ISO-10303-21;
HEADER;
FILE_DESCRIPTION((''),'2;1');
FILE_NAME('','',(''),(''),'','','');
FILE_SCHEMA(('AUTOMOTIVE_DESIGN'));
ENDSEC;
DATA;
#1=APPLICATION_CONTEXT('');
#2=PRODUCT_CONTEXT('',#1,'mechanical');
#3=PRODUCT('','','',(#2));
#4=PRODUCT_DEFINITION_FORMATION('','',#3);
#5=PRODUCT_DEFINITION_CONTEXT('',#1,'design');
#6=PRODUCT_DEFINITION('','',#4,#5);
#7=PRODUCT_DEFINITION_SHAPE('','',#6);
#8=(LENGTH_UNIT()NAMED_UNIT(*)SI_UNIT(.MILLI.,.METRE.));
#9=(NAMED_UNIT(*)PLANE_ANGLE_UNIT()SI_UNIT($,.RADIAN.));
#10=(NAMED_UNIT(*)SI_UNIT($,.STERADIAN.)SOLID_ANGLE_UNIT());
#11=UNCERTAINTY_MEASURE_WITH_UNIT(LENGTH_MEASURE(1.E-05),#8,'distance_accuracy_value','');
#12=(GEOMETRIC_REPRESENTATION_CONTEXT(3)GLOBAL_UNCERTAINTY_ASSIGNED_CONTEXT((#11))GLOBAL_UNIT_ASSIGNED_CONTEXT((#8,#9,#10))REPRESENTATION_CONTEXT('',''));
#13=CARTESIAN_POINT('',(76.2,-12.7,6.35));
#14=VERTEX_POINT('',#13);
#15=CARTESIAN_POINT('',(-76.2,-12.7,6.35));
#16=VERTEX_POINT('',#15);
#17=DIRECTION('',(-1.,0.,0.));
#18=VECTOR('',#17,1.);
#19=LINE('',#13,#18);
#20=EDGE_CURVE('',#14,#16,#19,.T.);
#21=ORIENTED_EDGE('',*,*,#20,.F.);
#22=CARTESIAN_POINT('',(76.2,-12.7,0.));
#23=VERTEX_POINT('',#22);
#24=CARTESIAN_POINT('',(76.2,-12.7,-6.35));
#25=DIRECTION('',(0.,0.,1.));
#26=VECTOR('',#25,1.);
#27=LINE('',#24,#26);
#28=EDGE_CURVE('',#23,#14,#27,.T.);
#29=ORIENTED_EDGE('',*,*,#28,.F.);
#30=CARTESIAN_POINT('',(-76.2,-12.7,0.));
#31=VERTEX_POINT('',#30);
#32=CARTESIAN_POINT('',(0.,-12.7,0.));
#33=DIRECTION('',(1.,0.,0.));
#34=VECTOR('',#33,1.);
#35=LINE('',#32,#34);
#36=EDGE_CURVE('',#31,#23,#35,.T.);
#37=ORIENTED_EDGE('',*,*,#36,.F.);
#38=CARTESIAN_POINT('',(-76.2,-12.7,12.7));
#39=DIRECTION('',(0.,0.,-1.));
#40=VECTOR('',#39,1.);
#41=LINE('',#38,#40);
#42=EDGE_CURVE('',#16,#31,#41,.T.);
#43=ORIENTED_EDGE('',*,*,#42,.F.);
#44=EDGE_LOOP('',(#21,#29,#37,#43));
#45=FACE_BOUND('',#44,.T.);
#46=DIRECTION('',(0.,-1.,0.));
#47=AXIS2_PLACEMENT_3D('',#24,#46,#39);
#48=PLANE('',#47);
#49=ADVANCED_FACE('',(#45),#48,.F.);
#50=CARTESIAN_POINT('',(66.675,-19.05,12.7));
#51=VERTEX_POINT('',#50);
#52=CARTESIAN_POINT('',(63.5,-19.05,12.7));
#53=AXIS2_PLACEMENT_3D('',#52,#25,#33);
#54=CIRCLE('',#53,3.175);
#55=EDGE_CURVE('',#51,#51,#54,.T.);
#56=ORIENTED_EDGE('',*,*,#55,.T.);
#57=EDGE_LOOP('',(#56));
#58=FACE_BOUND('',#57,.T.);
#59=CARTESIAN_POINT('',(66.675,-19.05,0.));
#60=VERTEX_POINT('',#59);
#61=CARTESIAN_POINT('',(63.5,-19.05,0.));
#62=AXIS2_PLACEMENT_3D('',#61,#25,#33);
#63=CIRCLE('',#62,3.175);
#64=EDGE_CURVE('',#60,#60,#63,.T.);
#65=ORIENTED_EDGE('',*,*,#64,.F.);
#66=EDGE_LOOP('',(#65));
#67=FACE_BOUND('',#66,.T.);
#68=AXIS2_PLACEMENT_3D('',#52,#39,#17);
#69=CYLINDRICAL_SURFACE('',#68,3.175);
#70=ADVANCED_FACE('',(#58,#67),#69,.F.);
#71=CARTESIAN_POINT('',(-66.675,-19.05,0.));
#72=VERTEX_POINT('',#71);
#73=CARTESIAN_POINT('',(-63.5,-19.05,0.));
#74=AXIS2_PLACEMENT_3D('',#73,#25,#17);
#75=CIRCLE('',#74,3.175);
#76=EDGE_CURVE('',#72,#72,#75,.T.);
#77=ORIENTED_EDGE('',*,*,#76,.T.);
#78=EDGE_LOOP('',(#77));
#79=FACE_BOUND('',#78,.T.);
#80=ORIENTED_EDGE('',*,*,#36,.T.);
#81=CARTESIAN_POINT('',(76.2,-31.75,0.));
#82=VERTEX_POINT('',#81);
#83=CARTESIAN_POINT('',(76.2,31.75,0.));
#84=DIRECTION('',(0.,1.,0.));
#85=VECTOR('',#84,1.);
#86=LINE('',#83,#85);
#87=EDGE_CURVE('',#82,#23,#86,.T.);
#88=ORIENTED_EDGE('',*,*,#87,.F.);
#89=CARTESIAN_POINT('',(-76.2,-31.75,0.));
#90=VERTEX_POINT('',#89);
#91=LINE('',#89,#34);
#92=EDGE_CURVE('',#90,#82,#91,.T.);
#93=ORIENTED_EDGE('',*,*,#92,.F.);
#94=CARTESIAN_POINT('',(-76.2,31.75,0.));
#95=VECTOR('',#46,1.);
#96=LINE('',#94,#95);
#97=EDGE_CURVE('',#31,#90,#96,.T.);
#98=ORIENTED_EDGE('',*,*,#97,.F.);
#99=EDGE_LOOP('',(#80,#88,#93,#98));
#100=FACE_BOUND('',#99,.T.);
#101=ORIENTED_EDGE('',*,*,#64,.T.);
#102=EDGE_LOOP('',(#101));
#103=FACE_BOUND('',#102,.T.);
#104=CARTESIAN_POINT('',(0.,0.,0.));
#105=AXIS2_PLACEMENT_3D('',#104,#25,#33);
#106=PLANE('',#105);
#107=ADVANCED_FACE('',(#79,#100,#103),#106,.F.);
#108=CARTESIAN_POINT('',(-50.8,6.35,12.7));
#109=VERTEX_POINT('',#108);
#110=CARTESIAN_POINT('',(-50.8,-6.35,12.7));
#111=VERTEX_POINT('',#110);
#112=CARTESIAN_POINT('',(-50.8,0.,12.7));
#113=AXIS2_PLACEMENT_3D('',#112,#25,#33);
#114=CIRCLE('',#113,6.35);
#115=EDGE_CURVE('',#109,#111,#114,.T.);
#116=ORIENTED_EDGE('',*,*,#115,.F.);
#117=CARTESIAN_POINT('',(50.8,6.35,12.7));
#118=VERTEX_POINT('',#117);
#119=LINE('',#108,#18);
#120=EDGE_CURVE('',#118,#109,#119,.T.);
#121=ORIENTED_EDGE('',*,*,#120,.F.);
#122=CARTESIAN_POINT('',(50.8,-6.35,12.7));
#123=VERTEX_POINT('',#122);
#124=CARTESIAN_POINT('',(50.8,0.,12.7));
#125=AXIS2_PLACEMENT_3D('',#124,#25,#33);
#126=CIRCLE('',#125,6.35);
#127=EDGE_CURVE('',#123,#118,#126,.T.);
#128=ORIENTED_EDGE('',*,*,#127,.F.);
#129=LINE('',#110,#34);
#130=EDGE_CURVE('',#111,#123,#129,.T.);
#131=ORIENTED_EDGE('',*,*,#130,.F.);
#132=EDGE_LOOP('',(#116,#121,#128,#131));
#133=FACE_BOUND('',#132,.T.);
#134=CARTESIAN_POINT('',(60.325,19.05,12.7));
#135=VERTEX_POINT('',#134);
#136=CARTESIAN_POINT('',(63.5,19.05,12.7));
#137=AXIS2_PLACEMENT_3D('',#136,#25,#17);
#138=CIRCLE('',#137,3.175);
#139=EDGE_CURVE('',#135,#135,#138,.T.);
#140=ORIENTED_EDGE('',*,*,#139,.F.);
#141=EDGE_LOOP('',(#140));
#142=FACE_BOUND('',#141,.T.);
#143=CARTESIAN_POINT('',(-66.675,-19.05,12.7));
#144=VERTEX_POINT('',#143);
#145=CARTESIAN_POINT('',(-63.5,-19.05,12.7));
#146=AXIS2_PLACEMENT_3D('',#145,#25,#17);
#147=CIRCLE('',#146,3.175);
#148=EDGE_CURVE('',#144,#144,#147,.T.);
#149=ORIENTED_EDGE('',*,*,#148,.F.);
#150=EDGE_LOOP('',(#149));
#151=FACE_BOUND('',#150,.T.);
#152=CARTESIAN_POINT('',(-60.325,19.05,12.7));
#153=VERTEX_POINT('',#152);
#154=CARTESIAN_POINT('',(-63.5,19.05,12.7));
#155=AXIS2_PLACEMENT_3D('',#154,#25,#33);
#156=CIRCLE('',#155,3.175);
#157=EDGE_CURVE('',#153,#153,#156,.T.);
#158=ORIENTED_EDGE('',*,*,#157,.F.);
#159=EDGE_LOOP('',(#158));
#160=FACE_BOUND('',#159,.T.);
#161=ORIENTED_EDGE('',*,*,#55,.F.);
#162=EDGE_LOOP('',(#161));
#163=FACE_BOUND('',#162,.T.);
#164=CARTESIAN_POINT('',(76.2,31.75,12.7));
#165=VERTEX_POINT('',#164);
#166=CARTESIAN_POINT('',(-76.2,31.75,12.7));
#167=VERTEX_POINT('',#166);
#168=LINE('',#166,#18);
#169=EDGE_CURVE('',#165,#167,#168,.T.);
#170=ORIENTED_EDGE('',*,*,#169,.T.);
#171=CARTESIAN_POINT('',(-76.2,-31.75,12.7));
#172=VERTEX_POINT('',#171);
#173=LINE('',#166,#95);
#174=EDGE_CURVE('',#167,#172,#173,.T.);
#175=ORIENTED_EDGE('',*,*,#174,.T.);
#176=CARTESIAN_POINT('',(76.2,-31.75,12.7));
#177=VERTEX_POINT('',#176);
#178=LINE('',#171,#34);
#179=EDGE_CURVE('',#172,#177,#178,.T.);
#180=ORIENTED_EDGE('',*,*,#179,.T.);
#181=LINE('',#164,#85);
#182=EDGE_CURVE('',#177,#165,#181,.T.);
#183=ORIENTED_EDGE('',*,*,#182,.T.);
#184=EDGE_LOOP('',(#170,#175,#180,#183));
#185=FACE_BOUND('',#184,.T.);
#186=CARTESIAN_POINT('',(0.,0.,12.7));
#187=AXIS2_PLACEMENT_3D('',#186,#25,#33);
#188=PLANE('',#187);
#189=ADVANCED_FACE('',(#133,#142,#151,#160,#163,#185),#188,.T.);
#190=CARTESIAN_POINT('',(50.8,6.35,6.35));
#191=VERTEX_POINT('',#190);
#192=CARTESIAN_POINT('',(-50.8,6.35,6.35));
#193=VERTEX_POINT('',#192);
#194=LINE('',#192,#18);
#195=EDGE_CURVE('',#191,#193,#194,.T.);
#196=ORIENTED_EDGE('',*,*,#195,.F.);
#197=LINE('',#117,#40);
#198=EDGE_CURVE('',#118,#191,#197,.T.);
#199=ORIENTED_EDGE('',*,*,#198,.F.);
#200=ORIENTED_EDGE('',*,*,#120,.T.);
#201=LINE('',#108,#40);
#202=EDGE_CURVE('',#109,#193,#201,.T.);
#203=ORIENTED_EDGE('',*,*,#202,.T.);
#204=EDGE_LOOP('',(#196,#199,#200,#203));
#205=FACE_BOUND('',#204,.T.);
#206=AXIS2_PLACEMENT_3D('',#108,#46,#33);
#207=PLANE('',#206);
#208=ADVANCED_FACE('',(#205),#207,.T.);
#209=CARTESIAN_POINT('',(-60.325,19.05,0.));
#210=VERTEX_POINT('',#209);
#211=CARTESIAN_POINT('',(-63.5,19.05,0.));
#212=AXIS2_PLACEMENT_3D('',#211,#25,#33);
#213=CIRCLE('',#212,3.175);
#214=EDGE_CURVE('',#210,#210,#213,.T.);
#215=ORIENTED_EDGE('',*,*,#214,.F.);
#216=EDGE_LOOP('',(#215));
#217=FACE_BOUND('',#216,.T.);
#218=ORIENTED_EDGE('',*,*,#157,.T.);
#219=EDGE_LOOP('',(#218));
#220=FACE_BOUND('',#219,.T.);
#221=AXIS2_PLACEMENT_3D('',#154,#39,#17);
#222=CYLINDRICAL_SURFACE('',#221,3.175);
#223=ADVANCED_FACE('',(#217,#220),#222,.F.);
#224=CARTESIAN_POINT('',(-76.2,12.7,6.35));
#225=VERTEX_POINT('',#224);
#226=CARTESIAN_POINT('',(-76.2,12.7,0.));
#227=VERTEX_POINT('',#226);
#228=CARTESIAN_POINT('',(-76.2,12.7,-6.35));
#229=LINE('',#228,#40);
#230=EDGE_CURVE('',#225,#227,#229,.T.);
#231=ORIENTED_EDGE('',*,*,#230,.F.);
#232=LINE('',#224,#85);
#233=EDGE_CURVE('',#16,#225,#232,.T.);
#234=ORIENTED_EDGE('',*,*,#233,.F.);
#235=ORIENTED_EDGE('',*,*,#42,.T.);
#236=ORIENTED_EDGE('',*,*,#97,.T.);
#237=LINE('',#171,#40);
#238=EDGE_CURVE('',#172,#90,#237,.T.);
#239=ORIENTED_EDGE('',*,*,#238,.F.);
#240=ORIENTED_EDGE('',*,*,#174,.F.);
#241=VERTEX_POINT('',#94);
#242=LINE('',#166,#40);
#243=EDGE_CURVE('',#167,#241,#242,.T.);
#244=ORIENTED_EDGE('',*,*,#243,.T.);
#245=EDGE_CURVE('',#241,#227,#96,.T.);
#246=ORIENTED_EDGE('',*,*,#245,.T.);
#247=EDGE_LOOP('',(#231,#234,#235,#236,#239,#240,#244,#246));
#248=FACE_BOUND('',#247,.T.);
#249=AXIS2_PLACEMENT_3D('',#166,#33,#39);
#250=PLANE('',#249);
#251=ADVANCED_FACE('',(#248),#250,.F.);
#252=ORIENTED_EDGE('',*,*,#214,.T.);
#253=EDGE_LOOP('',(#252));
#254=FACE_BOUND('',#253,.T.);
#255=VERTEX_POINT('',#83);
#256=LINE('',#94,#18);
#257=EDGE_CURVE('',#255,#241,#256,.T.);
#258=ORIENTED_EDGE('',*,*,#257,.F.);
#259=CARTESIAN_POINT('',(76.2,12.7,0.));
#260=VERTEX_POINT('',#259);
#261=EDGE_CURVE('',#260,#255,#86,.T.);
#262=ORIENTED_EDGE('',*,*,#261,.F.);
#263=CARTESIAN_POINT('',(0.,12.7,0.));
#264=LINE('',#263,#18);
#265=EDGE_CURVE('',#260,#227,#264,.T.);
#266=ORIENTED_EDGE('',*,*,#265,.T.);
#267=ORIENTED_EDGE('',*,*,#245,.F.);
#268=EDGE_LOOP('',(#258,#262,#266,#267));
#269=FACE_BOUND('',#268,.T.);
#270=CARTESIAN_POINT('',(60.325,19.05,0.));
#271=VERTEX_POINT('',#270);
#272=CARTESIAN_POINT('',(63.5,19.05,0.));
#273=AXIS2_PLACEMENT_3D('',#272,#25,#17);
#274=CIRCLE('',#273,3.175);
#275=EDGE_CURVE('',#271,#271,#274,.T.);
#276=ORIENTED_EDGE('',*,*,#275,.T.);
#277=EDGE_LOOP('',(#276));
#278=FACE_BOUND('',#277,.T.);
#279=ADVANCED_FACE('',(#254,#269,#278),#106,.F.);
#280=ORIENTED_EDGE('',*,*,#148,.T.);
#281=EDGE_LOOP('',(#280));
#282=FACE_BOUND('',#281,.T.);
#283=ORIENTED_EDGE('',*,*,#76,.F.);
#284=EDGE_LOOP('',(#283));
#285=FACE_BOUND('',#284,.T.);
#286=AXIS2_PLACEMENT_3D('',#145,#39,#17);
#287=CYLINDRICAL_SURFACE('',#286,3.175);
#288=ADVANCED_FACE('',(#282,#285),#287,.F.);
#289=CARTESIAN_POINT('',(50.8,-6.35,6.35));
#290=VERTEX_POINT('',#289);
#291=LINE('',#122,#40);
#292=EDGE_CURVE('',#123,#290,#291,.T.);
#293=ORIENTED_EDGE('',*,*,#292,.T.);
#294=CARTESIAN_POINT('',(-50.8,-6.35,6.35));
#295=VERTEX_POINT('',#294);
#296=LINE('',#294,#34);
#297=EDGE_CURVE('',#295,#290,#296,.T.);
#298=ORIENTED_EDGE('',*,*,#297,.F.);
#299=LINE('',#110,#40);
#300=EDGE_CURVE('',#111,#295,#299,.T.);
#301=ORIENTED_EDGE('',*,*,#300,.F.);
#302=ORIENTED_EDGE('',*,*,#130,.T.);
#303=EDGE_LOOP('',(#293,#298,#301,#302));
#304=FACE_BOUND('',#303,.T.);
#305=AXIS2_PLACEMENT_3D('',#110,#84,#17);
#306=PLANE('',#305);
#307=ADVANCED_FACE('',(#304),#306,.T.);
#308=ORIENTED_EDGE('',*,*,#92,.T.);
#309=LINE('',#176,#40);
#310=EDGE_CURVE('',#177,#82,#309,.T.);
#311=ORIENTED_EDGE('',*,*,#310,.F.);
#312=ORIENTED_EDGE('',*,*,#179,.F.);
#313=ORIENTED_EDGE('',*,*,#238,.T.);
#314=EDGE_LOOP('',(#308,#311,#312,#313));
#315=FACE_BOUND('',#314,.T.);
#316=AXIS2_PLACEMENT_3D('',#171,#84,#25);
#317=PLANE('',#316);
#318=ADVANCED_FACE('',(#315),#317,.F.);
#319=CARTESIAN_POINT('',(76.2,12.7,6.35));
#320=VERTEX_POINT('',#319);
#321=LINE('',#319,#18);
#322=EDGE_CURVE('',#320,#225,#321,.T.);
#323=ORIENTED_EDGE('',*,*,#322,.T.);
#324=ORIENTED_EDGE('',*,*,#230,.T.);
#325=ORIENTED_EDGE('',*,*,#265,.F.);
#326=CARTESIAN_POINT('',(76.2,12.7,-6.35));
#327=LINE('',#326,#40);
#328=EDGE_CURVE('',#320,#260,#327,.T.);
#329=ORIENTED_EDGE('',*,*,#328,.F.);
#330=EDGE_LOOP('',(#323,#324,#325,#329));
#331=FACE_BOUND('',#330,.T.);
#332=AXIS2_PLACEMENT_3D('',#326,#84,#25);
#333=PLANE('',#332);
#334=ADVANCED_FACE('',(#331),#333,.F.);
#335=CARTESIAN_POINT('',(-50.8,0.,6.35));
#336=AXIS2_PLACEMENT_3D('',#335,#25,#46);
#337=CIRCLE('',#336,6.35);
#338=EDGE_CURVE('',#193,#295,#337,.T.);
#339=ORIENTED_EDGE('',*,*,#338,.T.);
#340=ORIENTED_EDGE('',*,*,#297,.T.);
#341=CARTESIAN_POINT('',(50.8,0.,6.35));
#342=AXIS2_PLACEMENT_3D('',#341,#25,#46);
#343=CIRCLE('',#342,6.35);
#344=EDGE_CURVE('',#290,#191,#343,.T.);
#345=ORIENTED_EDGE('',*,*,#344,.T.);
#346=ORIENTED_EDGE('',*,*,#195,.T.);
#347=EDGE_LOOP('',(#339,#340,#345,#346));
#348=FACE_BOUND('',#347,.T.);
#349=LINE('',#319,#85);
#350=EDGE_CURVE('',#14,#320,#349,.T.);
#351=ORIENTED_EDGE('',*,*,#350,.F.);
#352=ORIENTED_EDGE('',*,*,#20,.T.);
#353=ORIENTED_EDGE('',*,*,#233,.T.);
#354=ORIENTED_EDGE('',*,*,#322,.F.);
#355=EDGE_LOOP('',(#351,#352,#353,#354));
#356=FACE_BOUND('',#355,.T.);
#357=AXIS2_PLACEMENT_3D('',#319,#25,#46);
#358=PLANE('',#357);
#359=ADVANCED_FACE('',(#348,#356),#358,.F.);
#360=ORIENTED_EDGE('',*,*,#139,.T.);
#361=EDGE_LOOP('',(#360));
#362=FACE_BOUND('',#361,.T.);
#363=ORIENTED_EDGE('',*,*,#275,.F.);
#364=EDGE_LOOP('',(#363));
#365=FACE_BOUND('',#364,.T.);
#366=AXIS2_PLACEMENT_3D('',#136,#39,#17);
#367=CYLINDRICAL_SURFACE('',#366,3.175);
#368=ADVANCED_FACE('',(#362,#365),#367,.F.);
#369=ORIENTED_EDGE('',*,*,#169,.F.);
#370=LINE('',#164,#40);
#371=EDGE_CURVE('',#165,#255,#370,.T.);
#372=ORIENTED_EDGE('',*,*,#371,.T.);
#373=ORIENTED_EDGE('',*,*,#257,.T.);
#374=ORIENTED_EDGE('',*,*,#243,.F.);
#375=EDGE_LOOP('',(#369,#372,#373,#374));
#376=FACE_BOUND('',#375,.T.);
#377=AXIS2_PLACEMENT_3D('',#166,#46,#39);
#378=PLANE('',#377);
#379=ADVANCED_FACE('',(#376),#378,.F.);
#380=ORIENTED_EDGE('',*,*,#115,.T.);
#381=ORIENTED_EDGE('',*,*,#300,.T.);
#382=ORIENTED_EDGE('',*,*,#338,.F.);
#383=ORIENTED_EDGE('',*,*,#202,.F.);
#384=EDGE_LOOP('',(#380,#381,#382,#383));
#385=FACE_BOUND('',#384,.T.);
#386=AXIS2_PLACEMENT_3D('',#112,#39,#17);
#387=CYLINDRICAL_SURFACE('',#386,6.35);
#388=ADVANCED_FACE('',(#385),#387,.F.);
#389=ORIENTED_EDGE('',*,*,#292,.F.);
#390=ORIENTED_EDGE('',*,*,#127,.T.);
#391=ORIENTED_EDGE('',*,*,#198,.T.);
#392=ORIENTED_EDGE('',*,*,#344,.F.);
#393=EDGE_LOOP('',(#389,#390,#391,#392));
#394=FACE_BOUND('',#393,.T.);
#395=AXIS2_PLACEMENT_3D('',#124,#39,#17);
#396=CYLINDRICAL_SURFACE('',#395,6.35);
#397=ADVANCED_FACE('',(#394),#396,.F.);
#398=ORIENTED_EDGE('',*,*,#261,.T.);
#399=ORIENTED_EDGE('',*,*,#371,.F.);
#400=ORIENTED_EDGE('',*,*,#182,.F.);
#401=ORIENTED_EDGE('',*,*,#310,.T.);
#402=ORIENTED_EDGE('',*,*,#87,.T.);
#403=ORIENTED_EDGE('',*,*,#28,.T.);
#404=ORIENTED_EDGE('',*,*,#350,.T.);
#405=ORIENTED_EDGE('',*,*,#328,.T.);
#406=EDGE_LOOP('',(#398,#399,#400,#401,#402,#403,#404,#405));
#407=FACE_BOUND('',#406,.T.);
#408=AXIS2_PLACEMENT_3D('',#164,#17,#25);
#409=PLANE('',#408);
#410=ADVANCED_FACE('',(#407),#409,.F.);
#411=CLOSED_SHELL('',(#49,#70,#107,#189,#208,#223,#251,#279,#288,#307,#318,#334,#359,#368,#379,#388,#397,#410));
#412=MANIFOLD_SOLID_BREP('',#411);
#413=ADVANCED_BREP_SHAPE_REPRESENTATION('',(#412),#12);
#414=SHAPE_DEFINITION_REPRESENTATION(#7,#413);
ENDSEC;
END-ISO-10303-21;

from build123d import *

# Parameters (mm, degrees)
SKETCH1_W           = 152.4
SKETCH1_H           = 63.5
SKETCH1_R           = 3.175
BOSS_EXTRUDE1_DEPTH = 12.7
SKETCH2_W           = 12.7
SKETCH2_H           = 25.4
CUT_EXTRUDE1_DEPTH  = 153.4


with BuildPart() as part:
    # Sketch1 → Boss-Extrude1 (new body)
    with BuildSketch(Plane.XY):
        Rectangle(SKETCH1_W, SKETCH1_H)
        with Locations((-63.5, 19.05)):
            Circle(SKETCH1_R, mode=Mode.SUBTRACT)
        with Locations((63.5, 19.05)):
            Circle(SKETCH1_R, mode=Mode.SUBTRACT)
        with Locations((63.5, -19.05)):
            Circle(SKETCH1_R, mode=Mode.SUBTRACT)
        with Locations((-63.5, -19.05)):
            Circle(SKETCH1_R, mode=Mode.SUBTRACT)
        with BuildLine():
            Line((-50.8, 6.35), (50.8, 6.35))
            ThreePointArc((50.8, 6.35), (57.15, 0), (50.8, -6.35))
            Line((50.8, -6.35), (-50.8, -6.35))
            ThreePointArc((-50.8, -6.35), (-57.15, 0), (-50.8, 6.35))
        make_face(mode=Mode.SUBTRACT)
    extrude(amount=BOSS_EXTRUDE1_DEPTH)

    # Sketch2 → Cut-Extrude1 (cut, through all)
    with BuildSketch(Plane.ZY.offset(76.2)):
        Rectangle(SKETCH2_W, SKETCH2_H)
    extrude(amount=-CUT_EXTRUDE1_DEPTH, mode=Mode.SUBTRACT)


solid = part.part
